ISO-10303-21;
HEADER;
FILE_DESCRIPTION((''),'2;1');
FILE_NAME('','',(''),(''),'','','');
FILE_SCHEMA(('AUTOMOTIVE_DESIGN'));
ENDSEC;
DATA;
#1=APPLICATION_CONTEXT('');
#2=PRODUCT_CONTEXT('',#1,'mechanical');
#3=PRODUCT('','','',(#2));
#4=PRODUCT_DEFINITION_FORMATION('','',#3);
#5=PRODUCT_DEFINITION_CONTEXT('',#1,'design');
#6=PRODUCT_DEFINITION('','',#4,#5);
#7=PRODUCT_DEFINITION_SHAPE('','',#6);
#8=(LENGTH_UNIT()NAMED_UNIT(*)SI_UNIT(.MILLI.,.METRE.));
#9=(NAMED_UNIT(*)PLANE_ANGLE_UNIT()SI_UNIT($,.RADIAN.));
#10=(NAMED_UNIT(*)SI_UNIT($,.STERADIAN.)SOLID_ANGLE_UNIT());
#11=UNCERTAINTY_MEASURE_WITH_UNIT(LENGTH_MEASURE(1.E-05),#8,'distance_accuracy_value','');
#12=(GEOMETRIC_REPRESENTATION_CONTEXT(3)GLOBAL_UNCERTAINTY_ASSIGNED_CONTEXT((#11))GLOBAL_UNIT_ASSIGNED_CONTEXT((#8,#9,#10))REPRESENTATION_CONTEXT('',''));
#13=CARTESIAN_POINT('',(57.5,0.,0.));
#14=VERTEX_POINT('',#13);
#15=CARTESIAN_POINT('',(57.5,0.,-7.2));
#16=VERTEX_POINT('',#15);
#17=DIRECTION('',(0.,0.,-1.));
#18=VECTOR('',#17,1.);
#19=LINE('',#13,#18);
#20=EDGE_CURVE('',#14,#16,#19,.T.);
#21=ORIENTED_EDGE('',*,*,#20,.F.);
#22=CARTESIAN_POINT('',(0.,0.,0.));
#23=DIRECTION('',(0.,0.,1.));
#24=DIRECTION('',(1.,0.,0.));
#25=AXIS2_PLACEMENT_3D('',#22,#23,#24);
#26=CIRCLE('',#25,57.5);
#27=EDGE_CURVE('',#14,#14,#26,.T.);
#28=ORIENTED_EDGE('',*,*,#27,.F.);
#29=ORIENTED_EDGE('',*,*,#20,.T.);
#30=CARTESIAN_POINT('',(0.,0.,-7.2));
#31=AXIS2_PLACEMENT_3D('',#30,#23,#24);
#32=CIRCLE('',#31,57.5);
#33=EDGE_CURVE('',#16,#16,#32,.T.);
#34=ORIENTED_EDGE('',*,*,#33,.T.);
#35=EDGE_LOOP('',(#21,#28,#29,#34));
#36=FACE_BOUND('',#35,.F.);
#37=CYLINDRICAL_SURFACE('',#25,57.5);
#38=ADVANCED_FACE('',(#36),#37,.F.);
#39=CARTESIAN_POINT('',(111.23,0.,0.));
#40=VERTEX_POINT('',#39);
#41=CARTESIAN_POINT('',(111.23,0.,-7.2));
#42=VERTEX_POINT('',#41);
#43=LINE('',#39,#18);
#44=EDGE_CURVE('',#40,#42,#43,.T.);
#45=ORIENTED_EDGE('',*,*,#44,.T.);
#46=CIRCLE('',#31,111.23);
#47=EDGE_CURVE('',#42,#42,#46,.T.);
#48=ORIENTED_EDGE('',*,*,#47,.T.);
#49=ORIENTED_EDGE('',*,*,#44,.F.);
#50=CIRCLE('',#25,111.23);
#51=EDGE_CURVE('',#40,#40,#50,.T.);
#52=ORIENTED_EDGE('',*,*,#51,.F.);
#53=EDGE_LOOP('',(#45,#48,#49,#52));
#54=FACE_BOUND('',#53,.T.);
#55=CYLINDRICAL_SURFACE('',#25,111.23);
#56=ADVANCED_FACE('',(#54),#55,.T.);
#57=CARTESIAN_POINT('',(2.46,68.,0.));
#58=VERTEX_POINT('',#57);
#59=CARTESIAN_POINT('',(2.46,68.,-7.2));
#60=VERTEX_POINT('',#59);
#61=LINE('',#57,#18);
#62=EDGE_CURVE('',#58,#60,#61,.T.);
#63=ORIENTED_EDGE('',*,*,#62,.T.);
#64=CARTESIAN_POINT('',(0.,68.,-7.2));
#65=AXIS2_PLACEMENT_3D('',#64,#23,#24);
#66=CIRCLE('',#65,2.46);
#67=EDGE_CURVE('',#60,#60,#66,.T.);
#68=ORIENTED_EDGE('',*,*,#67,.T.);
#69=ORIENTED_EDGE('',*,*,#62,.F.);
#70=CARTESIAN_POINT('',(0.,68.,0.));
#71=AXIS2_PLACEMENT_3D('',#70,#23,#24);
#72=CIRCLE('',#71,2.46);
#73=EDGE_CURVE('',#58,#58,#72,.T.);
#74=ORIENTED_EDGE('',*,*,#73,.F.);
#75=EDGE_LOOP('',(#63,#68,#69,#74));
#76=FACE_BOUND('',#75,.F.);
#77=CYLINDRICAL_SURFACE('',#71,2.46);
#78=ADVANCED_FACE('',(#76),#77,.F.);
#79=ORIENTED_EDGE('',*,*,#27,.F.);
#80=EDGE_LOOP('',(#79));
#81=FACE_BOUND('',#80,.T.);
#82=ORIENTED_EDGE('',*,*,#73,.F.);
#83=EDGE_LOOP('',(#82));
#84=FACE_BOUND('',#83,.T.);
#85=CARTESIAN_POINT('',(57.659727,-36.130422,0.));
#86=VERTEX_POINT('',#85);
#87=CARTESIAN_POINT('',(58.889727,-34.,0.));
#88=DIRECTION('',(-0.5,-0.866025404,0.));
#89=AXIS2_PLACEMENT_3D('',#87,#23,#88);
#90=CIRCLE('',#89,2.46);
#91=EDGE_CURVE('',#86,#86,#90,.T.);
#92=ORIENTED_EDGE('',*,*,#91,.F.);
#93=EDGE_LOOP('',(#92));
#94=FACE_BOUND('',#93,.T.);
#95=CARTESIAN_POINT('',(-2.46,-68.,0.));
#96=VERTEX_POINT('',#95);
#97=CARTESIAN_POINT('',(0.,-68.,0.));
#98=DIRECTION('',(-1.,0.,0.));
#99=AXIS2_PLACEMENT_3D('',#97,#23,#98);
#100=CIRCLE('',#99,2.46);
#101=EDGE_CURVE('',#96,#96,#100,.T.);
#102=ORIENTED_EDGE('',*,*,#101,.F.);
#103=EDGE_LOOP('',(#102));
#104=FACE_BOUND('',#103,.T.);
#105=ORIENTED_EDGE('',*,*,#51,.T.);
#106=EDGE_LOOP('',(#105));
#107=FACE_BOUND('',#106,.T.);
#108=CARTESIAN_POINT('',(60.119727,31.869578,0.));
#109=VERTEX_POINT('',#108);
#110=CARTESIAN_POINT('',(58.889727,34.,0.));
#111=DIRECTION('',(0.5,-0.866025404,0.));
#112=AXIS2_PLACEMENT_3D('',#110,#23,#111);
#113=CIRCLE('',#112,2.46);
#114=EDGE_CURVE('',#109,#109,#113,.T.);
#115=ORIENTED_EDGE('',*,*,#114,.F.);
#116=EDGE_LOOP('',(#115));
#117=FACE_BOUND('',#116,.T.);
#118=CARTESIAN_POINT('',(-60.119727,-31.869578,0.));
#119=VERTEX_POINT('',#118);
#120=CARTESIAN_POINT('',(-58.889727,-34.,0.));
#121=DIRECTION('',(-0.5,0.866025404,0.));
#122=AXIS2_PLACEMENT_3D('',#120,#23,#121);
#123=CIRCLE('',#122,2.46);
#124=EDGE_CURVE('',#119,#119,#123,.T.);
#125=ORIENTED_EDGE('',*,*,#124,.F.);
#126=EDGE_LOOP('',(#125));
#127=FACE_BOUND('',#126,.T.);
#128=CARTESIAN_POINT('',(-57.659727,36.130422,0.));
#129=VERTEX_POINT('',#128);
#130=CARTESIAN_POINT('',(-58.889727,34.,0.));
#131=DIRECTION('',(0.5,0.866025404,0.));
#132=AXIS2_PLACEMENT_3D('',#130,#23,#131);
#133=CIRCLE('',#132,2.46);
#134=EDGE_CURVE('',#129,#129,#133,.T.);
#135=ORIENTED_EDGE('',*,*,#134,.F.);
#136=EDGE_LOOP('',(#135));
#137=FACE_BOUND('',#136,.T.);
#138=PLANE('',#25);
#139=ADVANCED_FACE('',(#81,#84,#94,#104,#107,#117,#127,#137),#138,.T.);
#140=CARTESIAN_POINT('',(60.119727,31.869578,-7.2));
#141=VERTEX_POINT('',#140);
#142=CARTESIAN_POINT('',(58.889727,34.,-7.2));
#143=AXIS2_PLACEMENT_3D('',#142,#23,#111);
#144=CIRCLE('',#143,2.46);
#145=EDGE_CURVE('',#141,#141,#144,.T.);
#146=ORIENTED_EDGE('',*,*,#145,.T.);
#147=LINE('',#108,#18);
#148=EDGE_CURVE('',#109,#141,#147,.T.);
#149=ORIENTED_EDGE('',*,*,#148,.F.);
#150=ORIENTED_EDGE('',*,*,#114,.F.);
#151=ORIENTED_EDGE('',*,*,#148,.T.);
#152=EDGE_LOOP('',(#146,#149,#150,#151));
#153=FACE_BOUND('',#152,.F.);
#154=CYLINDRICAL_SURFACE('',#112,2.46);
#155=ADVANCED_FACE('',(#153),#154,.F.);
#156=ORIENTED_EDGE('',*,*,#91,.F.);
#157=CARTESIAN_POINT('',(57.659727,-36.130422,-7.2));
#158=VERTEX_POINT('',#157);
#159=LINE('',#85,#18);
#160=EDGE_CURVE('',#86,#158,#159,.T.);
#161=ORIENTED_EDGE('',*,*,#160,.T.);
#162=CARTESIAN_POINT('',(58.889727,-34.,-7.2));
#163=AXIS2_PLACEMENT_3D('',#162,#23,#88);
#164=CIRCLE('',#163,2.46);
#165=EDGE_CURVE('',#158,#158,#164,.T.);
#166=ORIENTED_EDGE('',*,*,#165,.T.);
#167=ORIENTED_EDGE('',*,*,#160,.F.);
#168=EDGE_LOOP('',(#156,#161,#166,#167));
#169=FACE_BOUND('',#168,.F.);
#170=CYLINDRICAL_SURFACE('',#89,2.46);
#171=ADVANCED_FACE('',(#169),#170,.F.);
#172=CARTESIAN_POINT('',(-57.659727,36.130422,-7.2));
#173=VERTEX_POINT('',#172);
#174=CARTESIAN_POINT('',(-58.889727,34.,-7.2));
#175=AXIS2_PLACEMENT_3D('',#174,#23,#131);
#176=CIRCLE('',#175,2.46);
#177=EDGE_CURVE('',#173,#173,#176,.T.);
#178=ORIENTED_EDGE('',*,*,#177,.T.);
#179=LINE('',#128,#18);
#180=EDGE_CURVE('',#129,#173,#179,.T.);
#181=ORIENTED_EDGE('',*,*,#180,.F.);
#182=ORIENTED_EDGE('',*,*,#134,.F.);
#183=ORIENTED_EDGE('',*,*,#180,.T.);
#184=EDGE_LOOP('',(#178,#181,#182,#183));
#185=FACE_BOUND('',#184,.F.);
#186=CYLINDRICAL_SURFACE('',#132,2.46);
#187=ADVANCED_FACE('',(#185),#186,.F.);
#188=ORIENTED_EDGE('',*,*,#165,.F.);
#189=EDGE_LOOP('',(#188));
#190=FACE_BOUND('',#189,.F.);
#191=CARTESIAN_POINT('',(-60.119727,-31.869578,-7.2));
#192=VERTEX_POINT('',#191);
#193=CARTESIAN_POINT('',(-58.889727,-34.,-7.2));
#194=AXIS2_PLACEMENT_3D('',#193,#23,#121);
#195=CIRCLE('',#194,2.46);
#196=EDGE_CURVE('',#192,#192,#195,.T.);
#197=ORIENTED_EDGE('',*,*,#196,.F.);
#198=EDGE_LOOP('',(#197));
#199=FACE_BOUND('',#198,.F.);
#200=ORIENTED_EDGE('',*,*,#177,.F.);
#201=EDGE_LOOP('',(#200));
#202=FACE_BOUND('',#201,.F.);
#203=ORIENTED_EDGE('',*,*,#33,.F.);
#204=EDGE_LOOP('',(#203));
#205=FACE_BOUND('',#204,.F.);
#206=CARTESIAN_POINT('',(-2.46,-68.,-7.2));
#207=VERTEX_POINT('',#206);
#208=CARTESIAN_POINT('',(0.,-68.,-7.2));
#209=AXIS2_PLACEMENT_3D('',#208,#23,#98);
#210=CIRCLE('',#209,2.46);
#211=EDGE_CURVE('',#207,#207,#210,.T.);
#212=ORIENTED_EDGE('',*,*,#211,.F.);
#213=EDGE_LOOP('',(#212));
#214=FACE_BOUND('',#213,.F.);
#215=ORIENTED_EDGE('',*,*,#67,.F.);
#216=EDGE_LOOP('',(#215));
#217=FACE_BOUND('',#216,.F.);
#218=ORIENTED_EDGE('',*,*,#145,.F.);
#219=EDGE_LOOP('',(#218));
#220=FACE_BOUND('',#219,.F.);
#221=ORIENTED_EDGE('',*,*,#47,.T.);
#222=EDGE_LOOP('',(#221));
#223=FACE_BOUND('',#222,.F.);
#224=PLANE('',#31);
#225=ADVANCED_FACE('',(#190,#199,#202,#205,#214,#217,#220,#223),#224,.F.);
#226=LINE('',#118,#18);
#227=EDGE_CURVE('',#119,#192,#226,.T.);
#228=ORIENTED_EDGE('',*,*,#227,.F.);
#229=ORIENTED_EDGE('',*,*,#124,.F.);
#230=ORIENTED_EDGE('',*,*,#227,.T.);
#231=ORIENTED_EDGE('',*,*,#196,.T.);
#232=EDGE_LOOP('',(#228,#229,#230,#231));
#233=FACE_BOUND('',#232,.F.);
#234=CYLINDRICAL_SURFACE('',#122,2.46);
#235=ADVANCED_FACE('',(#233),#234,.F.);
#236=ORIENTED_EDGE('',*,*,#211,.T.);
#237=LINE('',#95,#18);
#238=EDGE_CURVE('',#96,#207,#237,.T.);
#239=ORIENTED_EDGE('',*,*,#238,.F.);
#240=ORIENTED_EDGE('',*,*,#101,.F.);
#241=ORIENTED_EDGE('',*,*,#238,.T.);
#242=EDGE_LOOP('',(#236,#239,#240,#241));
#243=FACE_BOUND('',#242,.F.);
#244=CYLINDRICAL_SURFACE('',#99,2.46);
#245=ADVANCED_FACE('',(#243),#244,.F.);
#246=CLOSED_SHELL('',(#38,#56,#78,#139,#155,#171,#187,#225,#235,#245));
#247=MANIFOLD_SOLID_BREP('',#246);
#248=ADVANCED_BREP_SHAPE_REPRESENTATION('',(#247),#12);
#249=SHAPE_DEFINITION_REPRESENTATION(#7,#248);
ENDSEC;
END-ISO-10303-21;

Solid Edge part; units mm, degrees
sketch "Sketch1" plane through (0, 0, 0) normal (0, 0, 1) x (1, 0, 0)
  circle A0 centre (0, 0) radius 111.23
  circle A1 centre (0, 0) radius 57.5
extrude "Protrusion1" add sketch "Sketch1" against normal blind 7.2
sketch "Sketch2" plane through (0, 0, 0) normal (0, 0, 1) x (1, 0, 0)
  circle A0 centre (0, 68) radius 2.46
extrude "Hål_för_skruv" cut sketch "Sketch2" along normal mid plane 644.3251
pattern_circular "Pattern1" count 6 over 360 about axis through (0, 0, 0) along (0, 0, -1) of "Hål_för_skruv"
properties material "Steel"
